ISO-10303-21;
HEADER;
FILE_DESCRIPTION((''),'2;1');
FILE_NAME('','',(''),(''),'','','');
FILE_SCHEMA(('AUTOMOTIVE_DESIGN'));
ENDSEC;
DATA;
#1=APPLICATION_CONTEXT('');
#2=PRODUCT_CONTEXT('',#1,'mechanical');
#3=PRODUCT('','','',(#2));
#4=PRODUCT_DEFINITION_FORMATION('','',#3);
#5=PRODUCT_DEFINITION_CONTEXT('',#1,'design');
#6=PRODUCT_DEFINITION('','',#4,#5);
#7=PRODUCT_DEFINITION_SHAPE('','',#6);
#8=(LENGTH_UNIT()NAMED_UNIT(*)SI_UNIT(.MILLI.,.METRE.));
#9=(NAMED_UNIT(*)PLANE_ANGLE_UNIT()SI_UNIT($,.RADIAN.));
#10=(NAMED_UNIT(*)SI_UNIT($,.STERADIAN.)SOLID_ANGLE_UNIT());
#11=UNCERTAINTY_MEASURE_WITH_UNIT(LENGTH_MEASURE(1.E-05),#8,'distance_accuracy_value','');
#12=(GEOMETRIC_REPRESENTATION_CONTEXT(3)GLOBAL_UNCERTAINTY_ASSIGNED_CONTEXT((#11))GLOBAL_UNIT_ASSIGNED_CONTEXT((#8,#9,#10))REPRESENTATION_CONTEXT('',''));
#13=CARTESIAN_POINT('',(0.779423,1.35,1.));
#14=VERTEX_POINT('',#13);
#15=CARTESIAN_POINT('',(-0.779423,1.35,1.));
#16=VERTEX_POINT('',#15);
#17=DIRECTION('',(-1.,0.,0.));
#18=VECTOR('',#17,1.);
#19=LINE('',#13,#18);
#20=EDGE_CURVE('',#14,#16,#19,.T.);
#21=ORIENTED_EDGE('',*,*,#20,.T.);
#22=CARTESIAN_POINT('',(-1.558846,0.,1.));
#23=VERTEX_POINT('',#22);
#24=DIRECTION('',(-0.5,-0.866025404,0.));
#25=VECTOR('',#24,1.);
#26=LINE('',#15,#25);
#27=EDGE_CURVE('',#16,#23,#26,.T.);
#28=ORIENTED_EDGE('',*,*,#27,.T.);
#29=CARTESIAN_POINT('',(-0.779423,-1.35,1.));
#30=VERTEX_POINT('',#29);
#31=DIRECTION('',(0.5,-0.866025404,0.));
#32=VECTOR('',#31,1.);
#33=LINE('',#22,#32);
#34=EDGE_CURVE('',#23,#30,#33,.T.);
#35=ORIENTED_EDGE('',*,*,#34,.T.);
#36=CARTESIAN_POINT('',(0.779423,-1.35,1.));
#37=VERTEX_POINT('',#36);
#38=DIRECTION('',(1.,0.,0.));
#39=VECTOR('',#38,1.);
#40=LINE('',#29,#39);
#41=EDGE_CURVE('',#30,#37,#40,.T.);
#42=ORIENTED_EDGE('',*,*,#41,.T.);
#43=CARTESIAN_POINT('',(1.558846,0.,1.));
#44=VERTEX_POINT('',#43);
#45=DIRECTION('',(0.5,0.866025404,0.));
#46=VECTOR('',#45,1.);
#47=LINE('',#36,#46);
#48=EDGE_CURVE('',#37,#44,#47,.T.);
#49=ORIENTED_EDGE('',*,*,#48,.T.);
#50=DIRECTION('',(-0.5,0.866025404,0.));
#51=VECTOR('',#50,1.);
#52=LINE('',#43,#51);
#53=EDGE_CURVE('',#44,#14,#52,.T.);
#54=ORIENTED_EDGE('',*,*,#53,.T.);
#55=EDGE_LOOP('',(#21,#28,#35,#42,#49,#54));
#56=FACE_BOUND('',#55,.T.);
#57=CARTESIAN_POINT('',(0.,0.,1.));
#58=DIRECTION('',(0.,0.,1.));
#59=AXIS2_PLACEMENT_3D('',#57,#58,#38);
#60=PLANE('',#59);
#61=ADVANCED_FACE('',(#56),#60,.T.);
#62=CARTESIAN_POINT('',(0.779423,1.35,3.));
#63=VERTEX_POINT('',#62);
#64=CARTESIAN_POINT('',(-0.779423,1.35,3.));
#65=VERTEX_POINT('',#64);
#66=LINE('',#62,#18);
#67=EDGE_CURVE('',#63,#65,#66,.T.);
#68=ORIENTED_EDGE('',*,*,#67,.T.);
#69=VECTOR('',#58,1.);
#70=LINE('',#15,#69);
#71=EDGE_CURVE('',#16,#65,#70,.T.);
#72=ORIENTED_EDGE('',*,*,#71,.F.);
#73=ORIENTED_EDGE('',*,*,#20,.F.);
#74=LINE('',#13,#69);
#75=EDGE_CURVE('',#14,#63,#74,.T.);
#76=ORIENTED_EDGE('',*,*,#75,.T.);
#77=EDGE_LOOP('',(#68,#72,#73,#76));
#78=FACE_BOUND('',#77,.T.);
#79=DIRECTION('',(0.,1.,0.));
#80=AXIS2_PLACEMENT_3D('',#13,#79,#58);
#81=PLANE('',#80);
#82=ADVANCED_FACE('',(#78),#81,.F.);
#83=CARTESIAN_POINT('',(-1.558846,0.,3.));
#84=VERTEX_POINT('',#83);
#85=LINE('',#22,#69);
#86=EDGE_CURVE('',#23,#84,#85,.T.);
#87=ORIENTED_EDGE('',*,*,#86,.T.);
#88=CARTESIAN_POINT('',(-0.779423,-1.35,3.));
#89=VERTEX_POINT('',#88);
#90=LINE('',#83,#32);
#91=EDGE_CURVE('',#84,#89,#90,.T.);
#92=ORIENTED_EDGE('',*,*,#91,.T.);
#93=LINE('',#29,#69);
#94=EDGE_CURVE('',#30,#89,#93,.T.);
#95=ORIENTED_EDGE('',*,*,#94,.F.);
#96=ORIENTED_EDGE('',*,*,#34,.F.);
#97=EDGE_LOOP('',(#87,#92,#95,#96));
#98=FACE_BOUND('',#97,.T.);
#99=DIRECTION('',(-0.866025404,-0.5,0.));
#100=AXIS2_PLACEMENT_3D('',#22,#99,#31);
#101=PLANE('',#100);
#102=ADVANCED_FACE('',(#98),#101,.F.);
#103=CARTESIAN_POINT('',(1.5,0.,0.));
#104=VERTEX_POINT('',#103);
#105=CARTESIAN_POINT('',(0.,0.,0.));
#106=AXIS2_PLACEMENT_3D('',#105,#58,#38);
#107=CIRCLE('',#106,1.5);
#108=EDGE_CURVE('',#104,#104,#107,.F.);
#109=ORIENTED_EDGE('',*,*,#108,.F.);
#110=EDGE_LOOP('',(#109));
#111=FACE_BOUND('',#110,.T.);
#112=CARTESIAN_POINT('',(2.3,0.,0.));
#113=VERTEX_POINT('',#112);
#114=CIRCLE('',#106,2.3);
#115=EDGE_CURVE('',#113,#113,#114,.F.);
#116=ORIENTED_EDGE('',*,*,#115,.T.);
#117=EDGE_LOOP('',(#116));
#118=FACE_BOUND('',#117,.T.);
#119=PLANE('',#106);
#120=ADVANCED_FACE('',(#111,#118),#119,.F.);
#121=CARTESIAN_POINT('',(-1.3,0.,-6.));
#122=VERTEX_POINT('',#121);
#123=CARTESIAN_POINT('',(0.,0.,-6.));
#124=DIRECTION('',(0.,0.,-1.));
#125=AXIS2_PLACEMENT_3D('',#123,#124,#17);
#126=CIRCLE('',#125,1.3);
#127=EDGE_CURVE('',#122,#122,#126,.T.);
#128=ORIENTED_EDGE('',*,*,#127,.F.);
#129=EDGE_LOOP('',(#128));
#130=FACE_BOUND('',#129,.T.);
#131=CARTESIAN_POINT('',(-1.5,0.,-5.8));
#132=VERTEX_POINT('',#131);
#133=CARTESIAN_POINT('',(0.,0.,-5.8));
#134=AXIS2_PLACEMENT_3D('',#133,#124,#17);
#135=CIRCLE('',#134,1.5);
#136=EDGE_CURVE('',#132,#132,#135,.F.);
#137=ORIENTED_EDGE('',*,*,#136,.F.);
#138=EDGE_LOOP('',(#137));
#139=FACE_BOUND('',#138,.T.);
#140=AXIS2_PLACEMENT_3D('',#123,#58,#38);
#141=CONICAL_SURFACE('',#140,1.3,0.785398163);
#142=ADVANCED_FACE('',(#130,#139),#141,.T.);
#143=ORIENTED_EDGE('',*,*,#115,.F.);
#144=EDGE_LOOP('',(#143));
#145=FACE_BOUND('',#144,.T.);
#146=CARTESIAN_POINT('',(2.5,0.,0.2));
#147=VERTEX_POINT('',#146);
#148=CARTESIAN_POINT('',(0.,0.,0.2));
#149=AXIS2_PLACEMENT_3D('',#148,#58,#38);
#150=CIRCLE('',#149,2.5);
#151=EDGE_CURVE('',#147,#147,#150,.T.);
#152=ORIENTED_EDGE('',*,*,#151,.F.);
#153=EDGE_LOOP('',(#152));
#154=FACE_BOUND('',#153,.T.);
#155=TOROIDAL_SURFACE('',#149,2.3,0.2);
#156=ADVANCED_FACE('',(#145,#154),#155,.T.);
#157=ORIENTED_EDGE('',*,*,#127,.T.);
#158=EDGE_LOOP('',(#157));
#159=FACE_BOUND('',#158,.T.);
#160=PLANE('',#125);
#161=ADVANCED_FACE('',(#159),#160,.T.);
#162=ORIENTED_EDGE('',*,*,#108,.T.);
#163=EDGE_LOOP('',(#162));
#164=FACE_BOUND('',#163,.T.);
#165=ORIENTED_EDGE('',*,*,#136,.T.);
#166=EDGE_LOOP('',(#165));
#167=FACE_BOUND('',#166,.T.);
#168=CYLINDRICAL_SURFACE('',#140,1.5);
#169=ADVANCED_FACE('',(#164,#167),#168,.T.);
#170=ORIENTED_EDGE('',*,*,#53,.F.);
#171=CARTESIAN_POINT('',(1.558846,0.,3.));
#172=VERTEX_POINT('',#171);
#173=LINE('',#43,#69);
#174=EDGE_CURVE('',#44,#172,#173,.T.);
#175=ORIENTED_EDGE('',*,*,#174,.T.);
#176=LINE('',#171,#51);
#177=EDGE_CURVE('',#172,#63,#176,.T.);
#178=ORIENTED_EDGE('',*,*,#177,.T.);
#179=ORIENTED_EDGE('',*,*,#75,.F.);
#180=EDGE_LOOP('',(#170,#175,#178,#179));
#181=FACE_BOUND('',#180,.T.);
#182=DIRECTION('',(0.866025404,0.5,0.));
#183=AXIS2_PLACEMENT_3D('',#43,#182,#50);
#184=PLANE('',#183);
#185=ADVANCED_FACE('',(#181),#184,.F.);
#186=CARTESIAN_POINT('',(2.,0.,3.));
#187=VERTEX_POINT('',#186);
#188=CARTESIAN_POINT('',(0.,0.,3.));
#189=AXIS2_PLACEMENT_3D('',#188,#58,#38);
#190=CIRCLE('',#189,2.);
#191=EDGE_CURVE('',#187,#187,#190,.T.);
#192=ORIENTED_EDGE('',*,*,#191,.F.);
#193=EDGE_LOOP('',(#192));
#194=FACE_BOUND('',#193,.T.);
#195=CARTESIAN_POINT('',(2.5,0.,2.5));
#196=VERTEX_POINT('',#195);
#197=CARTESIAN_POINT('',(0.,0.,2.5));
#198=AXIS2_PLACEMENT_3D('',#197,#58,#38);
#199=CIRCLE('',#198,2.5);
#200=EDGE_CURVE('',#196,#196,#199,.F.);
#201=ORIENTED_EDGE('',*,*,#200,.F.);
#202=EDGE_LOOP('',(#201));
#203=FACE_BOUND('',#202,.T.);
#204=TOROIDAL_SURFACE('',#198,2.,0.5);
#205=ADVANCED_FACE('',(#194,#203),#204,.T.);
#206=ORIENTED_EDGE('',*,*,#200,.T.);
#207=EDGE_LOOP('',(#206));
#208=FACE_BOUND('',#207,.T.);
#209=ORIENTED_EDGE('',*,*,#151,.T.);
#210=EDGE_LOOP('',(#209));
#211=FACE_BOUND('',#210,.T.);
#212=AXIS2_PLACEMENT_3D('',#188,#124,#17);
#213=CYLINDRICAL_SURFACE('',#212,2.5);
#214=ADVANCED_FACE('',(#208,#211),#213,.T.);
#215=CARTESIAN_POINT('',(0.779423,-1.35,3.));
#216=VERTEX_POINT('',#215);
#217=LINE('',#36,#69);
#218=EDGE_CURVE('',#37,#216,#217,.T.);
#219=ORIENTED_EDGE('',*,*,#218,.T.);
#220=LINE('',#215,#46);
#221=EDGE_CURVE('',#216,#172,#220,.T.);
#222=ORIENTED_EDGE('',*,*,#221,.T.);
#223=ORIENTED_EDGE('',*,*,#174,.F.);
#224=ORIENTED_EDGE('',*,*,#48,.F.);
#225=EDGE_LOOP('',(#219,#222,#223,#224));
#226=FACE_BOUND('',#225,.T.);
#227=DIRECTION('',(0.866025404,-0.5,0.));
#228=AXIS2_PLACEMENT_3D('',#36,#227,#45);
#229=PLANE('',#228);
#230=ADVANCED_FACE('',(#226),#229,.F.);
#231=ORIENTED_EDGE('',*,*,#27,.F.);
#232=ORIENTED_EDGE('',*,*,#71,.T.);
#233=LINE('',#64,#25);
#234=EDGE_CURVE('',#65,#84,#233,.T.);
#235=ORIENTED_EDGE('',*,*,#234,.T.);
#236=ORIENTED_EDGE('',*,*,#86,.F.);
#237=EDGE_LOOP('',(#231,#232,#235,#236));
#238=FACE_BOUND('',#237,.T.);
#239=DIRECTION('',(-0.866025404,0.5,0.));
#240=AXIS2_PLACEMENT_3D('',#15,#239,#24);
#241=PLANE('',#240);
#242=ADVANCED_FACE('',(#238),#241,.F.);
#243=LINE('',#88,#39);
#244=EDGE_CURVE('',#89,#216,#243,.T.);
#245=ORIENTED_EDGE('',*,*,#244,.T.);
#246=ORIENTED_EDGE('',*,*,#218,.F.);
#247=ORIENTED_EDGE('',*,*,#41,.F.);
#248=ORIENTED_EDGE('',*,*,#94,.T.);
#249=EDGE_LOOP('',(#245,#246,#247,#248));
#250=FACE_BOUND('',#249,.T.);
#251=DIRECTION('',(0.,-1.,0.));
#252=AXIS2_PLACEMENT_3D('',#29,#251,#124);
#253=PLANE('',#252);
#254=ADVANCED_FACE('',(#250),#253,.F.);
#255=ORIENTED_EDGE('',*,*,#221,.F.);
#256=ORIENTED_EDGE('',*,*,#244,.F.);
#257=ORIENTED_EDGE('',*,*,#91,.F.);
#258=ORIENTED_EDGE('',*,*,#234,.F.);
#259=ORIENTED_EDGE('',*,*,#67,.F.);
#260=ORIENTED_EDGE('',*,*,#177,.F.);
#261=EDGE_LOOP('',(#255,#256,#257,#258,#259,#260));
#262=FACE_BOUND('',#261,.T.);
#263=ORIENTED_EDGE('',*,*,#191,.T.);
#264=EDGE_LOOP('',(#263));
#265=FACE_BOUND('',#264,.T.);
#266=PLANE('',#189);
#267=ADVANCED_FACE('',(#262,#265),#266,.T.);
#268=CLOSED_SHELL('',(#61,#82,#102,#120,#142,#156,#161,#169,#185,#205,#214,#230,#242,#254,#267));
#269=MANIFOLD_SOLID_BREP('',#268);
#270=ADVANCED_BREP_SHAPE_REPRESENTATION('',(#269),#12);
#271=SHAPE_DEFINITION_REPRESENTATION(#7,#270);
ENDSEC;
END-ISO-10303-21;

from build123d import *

# Parameters (mm, degrees)
SKETCH_1_R          = 2.5
EXTRUDE_1_DEPTH     = 3
FILLET_1_R          = 0.5
CUT_EXTRUDE_1_DEPTH = 2
SKETCH_3_R          = 1.5
EXTRUDE_2_DEPTH     = 6
CHAMFER_1_SIZE      = 0.2
FILLET_2_R          = 0.2


with BuildPart() as part:
    # 草图1 → 凸台-拉伸1 (new body)
    with BuildSketch(Plane.XY):
        Circle(SKETCH_1_R)
    extrude(amount=EXTRUDE_1_DEPTH)

    # 圆角1
    fillet_1_edges = [part.edges().sort_by_distance(p)[0] for p in [
        (-2.5, 0, 3),
    ]]
    fillet(fillet_1_edges, radius=FILLET_1_R)

    # 草图2 → 切除-拉伸1 (cut)
    with BuildSketch(Plane.XY.offset(3)):
        Polygon((1.558845727, 0), (0.779422863, 1.35), (-0.779422863, 1.35), (-1.558845727, 0), (-0.779422863, -1.35), (0.779422863, -1.35), align=None)
    extrude(amount=-CUT_EXTRUDE_1_DEPTH, mode=Mode.SUBTRACT)

    # 草图3 → 凸台-拉伸2 (add)
    with BuildSketch(Plane(origin=(0, 0, 0), x_dir=(-1, 0, 0), z_dir=(0, 0, -1))):
        Circle(SKETCH_3_R)
    extrude(amount=EXTRUDE_2_DEPTH)

    # 倒角1
    chamfer_1_edges = [part.edges().sort_by_distance(p)[0] for p in [
        (1.5, 0, -6),
    ]]
    chamfer(chamfer_1_edges, length=CHAMFER_1_SIZE)

    # 圆角2
    fillet_2_edges = [part.edges().sort_by_distance(p)[0] for p in [
        (-2.5, 0, 0),
    ]]
    fillet(fillet_2_edges, radius=FILLET_2_R)


solid = part.part
